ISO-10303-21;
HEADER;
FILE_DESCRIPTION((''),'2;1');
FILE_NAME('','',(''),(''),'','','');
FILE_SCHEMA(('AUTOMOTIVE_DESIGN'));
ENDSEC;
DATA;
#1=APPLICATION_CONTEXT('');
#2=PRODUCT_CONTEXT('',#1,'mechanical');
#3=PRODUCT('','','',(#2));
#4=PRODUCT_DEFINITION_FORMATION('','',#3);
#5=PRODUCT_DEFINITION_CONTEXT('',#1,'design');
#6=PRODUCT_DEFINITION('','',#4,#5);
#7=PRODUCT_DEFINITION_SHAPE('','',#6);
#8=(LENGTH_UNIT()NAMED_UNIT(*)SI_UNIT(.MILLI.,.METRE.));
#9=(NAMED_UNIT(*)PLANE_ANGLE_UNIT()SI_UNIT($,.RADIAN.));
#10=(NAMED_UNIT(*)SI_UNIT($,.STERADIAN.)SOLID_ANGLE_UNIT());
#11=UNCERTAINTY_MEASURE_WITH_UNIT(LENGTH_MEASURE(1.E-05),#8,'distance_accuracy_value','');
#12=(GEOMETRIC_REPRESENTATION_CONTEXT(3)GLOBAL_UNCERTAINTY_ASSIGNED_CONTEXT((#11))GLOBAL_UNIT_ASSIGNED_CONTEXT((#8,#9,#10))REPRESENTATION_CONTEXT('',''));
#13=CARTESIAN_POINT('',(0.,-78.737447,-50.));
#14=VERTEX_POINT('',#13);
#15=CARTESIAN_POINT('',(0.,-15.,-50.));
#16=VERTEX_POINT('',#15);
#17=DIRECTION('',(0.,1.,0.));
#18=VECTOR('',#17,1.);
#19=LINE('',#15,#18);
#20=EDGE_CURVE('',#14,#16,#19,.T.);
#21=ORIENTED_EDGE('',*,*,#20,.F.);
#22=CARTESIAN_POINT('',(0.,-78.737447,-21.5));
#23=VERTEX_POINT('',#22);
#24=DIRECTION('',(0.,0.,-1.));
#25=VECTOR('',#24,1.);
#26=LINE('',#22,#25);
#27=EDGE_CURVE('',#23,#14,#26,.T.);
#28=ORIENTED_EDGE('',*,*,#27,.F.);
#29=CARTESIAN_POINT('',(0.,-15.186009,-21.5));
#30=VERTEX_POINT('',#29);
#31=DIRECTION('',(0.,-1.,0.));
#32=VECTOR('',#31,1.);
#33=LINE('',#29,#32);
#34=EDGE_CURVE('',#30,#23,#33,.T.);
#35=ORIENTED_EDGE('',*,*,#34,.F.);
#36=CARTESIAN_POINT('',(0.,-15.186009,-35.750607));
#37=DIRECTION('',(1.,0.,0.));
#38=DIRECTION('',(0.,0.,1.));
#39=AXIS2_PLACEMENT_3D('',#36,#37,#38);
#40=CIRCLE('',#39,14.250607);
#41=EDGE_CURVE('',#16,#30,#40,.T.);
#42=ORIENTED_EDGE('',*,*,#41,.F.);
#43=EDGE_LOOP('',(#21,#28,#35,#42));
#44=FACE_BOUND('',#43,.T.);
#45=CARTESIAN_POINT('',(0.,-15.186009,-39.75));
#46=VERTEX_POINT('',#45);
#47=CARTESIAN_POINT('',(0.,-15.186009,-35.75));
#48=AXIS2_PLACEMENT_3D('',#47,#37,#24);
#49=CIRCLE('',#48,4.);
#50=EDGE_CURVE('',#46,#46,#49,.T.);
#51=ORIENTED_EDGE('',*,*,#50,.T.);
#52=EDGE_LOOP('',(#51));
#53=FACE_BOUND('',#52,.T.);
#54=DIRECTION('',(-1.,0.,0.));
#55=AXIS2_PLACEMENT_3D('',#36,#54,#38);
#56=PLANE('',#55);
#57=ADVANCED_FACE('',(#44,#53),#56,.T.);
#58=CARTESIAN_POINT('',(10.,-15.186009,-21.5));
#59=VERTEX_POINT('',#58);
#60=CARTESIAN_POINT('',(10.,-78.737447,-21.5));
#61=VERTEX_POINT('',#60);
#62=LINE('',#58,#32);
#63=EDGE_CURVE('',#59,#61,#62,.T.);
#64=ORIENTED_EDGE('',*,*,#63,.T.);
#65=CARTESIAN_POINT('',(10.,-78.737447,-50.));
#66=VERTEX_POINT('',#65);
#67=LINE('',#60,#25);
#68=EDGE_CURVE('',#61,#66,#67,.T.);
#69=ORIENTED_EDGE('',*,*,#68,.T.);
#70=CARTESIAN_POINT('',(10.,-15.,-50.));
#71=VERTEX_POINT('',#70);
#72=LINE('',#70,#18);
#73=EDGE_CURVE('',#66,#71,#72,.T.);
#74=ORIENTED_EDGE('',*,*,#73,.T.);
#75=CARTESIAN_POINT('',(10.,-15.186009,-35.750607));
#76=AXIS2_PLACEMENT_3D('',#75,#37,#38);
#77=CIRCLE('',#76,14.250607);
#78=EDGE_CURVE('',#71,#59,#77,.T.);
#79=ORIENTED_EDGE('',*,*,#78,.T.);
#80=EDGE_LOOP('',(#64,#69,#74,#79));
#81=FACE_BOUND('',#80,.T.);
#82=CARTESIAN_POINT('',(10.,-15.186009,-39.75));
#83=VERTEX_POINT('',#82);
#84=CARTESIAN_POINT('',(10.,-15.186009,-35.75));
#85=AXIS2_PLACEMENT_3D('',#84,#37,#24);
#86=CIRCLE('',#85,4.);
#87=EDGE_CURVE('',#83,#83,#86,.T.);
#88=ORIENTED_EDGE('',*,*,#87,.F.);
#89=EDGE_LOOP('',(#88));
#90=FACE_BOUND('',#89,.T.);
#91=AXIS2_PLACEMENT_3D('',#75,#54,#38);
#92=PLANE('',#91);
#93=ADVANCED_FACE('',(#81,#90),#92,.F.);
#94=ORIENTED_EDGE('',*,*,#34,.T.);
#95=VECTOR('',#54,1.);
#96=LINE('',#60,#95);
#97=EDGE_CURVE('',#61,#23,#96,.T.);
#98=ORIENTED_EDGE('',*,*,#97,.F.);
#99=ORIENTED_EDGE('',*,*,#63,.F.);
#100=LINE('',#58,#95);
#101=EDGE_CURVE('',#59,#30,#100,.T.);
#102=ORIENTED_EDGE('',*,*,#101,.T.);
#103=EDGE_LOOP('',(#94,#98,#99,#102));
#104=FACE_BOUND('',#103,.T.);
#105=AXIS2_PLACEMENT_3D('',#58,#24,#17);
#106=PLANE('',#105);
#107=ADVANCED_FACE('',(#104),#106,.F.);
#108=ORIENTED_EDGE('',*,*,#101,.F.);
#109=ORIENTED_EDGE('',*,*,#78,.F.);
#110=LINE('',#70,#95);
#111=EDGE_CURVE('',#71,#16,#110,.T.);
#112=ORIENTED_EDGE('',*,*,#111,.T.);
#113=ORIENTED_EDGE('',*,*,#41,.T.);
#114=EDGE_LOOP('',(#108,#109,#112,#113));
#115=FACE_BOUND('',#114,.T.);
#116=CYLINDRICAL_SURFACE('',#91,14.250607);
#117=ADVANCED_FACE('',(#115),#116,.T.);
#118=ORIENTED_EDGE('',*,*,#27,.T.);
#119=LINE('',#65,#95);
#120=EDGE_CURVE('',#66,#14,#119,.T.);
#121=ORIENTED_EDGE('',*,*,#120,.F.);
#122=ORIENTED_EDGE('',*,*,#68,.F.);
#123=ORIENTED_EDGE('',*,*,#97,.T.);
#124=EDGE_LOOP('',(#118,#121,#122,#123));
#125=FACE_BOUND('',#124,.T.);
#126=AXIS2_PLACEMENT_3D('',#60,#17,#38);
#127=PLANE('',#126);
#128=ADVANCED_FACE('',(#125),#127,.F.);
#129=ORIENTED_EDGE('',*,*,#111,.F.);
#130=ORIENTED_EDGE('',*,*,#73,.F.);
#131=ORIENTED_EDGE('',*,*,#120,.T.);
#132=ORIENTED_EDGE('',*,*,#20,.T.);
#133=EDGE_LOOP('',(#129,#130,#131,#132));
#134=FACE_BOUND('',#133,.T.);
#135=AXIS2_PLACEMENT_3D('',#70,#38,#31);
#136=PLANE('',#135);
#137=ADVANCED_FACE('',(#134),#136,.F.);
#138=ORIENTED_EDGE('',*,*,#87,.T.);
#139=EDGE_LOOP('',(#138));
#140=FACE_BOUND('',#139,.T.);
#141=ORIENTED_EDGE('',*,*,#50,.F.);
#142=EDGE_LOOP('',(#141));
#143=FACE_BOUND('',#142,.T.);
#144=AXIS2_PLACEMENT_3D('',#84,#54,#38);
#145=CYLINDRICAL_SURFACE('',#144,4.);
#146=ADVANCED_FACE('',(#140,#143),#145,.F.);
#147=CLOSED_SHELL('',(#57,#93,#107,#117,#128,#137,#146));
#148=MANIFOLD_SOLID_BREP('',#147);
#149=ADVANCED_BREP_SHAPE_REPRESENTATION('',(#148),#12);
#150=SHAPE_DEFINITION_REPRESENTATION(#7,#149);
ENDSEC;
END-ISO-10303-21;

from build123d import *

# Parameters (mm, degrees)
SKETCH_1_R      = 4
EXTRUDE_1_DEPTH = 10


with BuildPart() as part:
    # Эскиз1 → Вытянуть1 (new body)
    with BuildSketch(Plane(origin=(0, 0, 0), x_dir=(0, 0, -1), z_dir=(1, 0, 0))):
        with BuildLine():
            Line((21.5, -78.737447295), (50, -78.737447295))
            Line((50, -78.737447295), (50, -15))
            ThreePointArc((50, -15), (35.657600396, -0.935705761), (21.5, -15.186009262))
            Line((21.5, -15.186009262), (21.5, -78.737447295))
        make_face()
        with Locations((35.75, -15.186009262)):
            Circle(SKETCH_1_R, mode=Mode.SUBTRACT)
    extrude(amount=EXTRUDE_1_DEPTH)


solid = part.part
